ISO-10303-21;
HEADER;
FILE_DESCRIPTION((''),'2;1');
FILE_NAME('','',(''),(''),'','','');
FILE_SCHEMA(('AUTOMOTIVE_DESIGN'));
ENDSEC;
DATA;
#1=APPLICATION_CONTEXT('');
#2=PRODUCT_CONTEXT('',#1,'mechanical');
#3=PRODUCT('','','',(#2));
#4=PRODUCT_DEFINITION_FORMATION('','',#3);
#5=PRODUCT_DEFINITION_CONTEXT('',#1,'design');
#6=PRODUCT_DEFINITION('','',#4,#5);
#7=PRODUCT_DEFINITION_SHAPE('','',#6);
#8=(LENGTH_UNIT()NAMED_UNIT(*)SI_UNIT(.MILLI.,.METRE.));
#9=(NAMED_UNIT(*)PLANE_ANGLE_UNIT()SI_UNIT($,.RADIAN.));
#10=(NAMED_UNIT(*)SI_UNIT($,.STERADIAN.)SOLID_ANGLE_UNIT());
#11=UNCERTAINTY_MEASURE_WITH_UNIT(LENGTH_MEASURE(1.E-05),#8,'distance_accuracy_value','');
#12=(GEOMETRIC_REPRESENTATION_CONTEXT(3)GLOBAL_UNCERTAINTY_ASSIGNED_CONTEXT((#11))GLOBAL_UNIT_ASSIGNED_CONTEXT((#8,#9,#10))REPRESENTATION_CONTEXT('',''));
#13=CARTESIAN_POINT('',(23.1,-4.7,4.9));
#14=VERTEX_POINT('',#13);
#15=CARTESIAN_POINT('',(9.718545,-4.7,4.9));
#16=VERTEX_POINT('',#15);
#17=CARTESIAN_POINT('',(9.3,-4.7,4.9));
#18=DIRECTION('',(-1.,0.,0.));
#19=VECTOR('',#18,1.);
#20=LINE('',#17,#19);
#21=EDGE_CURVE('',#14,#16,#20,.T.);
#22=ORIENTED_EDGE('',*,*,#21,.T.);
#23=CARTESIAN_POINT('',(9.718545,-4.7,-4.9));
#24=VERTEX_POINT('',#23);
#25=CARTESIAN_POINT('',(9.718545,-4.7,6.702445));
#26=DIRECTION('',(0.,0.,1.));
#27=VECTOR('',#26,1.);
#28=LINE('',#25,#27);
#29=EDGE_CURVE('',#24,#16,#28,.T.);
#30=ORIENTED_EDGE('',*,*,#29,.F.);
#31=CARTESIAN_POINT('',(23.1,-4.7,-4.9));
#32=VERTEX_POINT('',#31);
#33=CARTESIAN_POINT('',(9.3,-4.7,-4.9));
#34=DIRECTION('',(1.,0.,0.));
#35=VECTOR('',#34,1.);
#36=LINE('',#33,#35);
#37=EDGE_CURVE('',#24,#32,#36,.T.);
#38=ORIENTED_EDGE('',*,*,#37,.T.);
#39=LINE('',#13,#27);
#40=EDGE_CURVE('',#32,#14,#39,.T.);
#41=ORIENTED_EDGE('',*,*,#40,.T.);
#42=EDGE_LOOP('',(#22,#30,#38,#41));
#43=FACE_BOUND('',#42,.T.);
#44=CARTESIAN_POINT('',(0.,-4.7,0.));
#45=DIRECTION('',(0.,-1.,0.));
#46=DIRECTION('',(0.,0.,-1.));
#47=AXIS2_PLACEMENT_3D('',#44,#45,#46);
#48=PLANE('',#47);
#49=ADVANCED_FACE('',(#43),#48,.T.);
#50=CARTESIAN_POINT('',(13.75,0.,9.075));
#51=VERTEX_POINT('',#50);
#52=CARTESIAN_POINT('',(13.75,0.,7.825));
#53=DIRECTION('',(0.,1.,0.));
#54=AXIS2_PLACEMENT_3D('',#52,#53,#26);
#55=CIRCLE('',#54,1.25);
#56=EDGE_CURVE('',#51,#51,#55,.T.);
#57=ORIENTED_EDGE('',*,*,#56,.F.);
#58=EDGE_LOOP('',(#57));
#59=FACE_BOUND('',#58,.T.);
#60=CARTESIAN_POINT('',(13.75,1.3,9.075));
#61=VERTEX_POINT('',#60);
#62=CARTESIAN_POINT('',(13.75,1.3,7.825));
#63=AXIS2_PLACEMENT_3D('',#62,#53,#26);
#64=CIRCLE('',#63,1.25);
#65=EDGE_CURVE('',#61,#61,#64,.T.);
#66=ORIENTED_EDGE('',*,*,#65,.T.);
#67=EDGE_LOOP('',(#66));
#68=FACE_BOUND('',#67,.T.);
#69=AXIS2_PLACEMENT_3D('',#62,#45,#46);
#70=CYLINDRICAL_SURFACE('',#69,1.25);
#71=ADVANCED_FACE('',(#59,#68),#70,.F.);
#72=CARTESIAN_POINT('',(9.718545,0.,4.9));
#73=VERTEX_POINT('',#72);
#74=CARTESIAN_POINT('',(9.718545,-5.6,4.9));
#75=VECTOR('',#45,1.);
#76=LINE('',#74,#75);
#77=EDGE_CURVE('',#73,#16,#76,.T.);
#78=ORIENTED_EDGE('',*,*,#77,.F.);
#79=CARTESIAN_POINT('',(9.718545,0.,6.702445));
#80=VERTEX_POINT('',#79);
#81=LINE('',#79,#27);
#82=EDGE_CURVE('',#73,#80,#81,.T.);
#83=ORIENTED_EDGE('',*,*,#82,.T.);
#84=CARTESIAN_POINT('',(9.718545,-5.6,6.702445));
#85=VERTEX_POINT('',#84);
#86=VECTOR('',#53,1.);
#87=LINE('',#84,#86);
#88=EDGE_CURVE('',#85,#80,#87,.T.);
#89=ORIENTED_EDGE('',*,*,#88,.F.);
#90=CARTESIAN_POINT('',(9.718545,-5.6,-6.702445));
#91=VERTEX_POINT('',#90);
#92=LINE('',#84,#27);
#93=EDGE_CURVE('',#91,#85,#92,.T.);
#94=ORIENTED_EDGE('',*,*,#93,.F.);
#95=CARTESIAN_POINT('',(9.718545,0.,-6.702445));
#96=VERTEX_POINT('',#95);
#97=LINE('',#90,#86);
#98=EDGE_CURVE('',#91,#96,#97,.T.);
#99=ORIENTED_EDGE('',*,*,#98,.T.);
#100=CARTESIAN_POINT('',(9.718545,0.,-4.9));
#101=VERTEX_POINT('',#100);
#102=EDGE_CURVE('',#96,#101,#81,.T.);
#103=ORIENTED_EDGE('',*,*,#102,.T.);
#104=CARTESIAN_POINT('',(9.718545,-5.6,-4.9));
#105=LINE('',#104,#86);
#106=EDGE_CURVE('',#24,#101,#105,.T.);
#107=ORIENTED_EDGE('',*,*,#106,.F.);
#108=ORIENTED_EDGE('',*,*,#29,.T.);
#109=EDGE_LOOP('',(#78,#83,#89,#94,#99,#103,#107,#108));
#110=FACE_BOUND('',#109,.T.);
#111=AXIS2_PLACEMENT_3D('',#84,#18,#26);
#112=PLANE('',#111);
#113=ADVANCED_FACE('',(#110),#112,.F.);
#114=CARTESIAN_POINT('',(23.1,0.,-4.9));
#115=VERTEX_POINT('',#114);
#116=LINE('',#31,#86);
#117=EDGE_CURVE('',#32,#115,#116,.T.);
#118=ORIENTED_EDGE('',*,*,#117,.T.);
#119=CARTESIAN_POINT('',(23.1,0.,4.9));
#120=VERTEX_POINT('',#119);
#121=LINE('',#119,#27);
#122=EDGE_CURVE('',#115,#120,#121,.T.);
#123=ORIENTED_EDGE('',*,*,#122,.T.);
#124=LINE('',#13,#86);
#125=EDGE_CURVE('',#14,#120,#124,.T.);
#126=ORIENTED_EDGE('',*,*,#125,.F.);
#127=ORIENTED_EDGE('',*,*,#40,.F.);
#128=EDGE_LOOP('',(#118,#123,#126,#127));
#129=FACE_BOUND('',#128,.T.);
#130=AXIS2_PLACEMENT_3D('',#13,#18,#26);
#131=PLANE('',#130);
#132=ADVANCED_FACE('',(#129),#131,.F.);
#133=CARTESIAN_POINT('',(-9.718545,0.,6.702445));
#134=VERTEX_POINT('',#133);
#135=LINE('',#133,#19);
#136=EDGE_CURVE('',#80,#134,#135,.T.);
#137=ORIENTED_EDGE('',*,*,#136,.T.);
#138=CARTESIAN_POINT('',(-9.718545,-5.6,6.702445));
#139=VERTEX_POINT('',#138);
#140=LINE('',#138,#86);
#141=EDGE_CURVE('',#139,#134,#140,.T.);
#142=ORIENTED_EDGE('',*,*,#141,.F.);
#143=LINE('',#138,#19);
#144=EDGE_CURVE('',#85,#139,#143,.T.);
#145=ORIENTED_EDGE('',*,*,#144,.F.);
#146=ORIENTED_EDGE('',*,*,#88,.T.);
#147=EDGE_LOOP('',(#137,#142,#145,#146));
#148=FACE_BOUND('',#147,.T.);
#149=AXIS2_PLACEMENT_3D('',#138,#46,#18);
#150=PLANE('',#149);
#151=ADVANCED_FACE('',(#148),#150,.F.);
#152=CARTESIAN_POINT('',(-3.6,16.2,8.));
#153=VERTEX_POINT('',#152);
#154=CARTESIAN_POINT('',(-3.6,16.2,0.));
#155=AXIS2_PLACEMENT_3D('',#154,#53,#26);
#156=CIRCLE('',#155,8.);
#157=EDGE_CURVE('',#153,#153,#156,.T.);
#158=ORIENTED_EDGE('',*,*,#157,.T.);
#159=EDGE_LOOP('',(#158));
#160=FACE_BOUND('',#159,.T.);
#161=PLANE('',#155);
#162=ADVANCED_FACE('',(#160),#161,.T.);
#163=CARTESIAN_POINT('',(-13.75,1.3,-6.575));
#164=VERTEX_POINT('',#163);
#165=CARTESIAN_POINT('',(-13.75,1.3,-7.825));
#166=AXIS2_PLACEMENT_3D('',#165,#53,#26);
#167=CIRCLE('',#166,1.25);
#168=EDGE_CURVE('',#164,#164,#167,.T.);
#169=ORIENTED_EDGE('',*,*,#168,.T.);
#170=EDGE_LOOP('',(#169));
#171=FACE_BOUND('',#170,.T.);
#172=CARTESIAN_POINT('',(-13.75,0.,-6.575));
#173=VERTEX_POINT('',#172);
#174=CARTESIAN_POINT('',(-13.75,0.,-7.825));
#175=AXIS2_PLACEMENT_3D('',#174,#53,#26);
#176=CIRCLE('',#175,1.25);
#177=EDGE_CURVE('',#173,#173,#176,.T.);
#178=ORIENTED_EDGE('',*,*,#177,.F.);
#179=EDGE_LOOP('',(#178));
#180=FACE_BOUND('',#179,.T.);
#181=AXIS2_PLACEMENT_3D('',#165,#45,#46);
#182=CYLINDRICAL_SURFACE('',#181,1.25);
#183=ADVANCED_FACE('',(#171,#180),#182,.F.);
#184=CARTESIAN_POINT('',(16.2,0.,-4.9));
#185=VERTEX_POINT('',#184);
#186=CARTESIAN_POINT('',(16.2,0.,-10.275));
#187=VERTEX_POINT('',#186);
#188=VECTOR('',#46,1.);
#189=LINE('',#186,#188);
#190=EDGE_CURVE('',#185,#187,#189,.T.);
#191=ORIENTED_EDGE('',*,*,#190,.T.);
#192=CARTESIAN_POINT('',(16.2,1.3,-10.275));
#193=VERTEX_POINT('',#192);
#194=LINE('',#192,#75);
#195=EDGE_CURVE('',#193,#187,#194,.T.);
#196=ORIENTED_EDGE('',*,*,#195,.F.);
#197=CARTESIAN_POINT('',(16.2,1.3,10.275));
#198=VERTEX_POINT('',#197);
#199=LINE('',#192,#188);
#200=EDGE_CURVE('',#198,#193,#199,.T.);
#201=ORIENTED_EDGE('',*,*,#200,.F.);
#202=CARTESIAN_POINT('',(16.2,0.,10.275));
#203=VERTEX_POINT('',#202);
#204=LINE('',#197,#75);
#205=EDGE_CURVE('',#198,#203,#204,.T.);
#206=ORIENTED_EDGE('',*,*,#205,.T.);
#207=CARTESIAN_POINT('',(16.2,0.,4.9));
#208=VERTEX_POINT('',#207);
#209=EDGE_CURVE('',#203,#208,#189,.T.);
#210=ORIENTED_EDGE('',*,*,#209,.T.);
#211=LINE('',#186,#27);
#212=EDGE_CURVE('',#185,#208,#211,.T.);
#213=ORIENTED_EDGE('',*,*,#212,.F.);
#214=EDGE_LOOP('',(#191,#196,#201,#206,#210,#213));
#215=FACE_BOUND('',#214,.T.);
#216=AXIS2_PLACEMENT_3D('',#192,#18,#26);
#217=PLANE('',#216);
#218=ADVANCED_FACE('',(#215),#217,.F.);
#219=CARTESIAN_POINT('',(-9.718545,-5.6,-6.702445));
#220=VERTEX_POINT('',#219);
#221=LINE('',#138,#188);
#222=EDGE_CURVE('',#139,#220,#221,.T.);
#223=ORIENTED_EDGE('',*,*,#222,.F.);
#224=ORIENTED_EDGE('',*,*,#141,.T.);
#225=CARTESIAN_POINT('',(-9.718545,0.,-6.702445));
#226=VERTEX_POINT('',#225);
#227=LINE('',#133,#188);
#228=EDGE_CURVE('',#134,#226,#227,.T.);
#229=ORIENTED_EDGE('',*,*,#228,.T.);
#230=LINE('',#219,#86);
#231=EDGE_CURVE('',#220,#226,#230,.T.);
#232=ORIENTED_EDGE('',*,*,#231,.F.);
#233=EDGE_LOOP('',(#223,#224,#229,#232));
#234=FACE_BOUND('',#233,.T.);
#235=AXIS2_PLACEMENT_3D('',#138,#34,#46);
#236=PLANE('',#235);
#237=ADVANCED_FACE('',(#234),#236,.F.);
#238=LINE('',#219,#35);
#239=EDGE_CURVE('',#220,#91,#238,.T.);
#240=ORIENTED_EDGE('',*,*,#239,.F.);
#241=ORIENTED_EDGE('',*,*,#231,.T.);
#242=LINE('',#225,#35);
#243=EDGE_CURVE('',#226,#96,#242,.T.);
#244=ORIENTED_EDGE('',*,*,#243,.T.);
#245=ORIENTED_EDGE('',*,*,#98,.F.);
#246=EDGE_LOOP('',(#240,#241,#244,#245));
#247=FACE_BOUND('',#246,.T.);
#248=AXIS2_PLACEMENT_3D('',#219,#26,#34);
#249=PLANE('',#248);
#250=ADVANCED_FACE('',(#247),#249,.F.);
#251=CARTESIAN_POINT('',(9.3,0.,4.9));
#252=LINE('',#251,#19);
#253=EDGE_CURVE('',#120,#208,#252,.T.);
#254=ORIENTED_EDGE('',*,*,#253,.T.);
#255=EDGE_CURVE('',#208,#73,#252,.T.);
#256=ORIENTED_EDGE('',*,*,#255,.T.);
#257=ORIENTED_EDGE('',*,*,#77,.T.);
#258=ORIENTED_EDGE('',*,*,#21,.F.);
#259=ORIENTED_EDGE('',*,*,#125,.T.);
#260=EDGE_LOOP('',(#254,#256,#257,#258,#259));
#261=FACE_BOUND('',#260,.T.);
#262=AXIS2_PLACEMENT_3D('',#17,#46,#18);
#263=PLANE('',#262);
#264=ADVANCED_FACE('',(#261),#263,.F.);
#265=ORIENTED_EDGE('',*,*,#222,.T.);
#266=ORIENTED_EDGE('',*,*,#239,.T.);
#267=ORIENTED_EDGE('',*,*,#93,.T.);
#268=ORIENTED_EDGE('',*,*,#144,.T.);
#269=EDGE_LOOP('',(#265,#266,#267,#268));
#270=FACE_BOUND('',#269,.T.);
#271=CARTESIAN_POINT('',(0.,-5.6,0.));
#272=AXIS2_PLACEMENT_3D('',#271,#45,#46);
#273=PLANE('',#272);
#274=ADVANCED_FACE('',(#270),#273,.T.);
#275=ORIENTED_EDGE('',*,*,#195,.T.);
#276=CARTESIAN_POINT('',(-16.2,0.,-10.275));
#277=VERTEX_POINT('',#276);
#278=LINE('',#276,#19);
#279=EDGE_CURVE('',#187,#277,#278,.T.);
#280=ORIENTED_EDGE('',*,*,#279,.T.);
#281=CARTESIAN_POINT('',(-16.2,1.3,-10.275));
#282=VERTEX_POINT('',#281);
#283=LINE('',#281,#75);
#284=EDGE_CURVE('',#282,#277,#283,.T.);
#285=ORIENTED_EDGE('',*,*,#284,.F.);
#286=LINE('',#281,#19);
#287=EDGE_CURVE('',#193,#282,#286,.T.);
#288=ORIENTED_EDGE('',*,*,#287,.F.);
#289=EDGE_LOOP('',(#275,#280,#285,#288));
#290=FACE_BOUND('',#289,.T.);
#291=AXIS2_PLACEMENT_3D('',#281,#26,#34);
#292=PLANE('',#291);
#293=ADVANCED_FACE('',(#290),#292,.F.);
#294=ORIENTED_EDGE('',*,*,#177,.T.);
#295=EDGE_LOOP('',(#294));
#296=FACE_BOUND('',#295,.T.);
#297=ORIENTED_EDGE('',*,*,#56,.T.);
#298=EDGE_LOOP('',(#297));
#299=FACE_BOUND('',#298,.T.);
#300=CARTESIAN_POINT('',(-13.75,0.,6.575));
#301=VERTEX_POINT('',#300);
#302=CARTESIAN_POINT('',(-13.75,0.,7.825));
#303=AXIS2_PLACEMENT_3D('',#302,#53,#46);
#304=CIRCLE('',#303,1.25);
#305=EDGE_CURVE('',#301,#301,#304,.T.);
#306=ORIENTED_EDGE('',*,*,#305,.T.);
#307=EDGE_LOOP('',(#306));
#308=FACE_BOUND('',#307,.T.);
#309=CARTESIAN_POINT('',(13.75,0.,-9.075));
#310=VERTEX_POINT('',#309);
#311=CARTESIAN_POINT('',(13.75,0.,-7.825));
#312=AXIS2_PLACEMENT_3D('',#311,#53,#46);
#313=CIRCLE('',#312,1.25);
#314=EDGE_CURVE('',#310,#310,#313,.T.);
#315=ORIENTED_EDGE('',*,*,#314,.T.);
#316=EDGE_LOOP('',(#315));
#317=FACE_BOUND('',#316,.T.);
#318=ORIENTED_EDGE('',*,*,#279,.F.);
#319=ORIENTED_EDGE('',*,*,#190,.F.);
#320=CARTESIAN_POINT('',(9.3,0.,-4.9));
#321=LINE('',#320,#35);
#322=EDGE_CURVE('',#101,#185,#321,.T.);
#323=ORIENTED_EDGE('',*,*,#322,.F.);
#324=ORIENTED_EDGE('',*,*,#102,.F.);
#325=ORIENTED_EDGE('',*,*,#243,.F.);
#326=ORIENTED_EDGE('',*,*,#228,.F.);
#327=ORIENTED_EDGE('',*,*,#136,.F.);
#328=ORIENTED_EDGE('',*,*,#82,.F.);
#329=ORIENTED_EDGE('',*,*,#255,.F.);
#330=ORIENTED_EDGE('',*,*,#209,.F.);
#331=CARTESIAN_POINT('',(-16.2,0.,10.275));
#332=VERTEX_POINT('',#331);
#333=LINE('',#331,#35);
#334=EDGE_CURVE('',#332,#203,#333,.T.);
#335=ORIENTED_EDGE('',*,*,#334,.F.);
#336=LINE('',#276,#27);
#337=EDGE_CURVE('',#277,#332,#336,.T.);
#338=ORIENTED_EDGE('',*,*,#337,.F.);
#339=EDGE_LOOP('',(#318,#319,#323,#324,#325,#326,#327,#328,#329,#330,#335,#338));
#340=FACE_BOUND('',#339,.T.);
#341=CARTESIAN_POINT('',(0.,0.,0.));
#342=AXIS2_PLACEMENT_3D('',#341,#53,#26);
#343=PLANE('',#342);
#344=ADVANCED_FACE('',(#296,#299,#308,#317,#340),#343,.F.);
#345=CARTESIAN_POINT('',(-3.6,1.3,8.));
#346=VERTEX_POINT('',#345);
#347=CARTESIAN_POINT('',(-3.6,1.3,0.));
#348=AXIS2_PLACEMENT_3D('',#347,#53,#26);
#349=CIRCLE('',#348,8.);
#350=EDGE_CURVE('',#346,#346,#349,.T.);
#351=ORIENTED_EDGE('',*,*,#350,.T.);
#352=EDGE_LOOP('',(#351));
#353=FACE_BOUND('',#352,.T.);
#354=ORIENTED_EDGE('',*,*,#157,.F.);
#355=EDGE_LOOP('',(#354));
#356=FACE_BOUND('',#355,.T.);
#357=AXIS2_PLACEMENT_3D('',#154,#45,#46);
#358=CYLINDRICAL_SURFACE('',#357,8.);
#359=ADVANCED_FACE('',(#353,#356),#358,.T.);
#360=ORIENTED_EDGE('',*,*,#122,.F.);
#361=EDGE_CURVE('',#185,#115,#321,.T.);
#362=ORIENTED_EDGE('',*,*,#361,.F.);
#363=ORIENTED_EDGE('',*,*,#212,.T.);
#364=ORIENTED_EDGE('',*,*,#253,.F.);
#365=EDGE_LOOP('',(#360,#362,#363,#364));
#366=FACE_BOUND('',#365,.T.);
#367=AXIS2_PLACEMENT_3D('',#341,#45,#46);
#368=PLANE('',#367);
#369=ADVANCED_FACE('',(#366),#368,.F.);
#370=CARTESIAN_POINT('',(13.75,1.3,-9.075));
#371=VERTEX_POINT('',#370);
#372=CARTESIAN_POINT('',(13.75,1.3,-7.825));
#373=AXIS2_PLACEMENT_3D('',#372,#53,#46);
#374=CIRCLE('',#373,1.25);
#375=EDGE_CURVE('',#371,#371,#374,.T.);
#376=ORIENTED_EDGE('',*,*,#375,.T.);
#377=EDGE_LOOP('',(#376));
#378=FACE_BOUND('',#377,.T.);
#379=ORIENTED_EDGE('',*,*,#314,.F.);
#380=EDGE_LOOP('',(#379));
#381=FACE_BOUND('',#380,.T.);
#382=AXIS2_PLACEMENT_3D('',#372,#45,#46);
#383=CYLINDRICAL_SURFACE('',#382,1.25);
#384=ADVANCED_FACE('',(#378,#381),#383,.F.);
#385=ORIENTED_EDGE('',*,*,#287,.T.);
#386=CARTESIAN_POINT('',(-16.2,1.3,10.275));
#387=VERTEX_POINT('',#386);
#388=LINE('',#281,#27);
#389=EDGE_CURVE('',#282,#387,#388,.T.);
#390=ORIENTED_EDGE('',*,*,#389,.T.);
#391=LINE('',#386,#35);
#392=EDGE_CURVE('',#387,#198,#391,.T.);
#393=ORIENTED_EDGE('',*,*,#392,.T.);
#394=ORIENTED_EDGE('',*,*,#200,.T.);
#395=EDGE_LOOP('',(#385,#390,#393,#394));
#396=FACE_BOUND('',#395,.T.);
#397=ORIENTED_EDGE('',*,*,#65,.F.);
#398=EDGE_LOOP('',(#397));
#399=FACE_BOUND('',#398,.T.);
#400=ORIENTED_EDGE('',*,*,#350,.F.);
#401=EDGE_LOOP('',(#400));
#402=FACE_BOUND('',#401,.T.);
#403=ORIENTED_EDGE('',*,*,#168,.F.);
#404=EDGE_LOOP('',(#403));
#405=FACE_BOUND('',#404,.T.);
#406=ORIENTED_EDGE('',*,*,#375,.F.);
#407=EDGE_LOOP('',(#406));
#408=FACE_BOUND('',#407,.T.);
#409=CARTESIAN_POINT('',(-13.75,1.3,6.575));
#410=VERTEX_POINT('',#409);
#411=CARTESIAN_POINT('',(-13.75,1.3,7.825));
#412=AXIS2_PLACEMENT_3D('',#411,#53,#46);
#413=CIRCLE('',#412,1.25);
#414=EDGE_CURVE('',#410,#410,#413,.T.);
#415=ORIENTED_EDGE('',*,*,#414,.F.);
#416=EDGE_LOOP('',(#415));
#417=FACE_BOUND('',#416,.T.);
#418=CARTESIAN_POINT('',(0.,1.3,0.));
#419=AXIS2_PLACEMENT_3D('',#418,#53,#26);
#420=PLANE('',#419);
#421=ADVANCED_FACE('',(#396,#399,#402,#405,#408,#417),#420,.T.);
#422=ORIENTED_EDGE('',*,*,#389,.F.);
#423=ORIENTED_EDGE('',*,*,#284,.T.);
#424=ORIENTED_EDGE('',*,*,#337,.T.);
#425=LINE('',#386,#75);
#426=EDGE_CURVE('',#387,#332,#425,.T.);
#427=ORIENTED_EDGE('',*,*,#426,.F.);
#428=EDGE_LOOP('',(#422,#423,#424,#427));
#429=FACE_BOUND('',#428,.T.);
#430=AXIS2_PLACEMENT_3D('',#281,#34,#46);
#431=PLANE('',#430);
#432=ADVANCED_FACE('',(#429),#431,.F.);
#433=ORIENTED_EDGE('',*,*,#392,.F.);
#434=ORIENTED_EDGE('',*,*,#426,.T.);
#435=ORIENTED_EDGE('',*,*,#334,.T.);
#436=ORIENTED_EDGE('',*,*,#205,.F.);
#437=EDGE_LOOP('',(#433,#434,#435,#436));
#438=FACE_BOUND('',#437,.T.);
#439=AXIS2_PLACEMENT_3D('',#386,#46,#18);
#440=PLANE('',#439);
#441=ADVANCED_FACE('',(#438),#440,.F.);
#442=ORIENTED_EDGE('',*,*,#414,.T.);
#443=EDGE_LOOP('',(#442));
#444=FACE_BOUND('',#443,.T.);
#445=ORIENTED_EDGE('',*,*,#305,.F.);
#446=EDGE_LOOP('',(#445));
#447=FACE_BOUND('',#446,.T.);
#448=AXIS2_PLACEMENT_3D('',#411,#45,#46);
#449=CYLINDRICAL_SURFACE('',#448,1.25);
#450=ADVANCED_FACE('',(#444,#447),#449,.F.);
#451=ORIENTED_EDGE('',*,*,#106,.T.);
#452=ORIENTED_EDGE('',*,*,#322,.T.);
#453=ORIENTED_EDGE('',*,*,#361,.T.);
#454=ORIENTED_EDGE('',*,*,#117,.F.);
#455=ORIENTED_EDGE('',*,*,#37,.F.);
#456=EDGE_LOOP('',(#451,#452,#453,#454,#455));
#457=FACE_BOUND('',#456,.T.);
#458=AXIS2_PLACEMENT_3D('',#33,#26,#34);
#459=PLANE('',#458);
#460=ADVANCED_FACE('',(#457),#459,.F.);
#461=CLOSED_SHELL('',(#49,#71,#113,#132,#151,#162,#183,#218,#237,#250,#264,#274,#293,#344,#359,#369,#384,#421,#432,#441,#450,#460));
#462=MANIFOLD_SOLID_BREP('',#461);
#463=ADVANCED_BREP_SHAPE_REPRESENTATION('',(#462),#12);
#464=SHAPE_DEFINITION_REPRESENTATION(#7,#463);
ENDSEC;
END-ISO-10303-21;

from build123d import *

# Parameters (mm, degrees)
SKETCH1_W           = 32.4
SKETCH1_H           = 20.55
SKETCH1_R           = 1.25
BOSS_EXTRUDE1_DEPTH = 1.3
SKETCH2_R           = 8
BOSS_EXTRUDE2_DEPTH = 14.9
SKETCH3_W           = 19.437089118
SKETCH3_H           = 13.404889048
BOSS_EXTRUDE3_DEPTH = 5.6
SKETCH4_W           = 13.8
SKETCH4_H           = 9.8
BOSS_EXTRUDE4_DEPTH = 4.7


with BuildPart() as part:
    # Sketch1 → Boss-Extrude1 (new body)
    with BuildSketch(Plane(origin=(0, 0, 0), x_dir=(1, 0, 0), z_dir=(0, 1, 0))):
        Rectangle(SKETCH1_W, SKETCH1_H)
        with Locations(Location((-13.75, 7.825, 0), (0, 0, 270))):
            Circle(SKETCH1_R, mode=Mode.SUBTRACT)
        with Locations(Location((-13.75, -7.825, 0), (0, 0, 90))):
            Circle(SKETCH1_R, mode=Mode.SUBTRACT)
        with Locations(Location((13.75, -7.825, 0), (0, 0, 270))):
            Circle(SKETCH1_R, mode=Mode.SUBTRACT)
        with Locations(Location((13.75, 7.825, 0), (0, 0, 90))):
            Circle(SKETCH1_R, mode=Mode.SUBTRACT)
    extrude(amount=BOSS_EXTRUDE1_DEPTH)

    # Sketch2 → Boss-Extrude2 (add)
    with BuildSketch(Plane(origin=(0, 1.3, 0), x_dir=(1, 0, 0), z_dir=(0, 1, 0))):
        with Locations(Location((-3.6, 0, 0), (0, 0, 270))):
            Circle(SKETCH2_R)
    extrude(amount=BOSS_EXTRUDE2_DEPTH)

    # Sketch3 → Boss-Extrude3 (add)
    with BuildSketch(Plane.XZ):
        Rectangle(SKETCH3_W, SKETCH3_H)
    extrude(amount=BOSS_EXTRUDE3_DEPTH)

    # Sketch4 → Boss-Extrude4 (add)
    with BuildSketch(Plane.XZ):
        with Locations((16.2, 0)):
            Rectangle(SKETCH4_W, SKETCH4_H)
    extrude(amount=BOSS_EXTRUDE4_DEPTH)


solid = part.part
